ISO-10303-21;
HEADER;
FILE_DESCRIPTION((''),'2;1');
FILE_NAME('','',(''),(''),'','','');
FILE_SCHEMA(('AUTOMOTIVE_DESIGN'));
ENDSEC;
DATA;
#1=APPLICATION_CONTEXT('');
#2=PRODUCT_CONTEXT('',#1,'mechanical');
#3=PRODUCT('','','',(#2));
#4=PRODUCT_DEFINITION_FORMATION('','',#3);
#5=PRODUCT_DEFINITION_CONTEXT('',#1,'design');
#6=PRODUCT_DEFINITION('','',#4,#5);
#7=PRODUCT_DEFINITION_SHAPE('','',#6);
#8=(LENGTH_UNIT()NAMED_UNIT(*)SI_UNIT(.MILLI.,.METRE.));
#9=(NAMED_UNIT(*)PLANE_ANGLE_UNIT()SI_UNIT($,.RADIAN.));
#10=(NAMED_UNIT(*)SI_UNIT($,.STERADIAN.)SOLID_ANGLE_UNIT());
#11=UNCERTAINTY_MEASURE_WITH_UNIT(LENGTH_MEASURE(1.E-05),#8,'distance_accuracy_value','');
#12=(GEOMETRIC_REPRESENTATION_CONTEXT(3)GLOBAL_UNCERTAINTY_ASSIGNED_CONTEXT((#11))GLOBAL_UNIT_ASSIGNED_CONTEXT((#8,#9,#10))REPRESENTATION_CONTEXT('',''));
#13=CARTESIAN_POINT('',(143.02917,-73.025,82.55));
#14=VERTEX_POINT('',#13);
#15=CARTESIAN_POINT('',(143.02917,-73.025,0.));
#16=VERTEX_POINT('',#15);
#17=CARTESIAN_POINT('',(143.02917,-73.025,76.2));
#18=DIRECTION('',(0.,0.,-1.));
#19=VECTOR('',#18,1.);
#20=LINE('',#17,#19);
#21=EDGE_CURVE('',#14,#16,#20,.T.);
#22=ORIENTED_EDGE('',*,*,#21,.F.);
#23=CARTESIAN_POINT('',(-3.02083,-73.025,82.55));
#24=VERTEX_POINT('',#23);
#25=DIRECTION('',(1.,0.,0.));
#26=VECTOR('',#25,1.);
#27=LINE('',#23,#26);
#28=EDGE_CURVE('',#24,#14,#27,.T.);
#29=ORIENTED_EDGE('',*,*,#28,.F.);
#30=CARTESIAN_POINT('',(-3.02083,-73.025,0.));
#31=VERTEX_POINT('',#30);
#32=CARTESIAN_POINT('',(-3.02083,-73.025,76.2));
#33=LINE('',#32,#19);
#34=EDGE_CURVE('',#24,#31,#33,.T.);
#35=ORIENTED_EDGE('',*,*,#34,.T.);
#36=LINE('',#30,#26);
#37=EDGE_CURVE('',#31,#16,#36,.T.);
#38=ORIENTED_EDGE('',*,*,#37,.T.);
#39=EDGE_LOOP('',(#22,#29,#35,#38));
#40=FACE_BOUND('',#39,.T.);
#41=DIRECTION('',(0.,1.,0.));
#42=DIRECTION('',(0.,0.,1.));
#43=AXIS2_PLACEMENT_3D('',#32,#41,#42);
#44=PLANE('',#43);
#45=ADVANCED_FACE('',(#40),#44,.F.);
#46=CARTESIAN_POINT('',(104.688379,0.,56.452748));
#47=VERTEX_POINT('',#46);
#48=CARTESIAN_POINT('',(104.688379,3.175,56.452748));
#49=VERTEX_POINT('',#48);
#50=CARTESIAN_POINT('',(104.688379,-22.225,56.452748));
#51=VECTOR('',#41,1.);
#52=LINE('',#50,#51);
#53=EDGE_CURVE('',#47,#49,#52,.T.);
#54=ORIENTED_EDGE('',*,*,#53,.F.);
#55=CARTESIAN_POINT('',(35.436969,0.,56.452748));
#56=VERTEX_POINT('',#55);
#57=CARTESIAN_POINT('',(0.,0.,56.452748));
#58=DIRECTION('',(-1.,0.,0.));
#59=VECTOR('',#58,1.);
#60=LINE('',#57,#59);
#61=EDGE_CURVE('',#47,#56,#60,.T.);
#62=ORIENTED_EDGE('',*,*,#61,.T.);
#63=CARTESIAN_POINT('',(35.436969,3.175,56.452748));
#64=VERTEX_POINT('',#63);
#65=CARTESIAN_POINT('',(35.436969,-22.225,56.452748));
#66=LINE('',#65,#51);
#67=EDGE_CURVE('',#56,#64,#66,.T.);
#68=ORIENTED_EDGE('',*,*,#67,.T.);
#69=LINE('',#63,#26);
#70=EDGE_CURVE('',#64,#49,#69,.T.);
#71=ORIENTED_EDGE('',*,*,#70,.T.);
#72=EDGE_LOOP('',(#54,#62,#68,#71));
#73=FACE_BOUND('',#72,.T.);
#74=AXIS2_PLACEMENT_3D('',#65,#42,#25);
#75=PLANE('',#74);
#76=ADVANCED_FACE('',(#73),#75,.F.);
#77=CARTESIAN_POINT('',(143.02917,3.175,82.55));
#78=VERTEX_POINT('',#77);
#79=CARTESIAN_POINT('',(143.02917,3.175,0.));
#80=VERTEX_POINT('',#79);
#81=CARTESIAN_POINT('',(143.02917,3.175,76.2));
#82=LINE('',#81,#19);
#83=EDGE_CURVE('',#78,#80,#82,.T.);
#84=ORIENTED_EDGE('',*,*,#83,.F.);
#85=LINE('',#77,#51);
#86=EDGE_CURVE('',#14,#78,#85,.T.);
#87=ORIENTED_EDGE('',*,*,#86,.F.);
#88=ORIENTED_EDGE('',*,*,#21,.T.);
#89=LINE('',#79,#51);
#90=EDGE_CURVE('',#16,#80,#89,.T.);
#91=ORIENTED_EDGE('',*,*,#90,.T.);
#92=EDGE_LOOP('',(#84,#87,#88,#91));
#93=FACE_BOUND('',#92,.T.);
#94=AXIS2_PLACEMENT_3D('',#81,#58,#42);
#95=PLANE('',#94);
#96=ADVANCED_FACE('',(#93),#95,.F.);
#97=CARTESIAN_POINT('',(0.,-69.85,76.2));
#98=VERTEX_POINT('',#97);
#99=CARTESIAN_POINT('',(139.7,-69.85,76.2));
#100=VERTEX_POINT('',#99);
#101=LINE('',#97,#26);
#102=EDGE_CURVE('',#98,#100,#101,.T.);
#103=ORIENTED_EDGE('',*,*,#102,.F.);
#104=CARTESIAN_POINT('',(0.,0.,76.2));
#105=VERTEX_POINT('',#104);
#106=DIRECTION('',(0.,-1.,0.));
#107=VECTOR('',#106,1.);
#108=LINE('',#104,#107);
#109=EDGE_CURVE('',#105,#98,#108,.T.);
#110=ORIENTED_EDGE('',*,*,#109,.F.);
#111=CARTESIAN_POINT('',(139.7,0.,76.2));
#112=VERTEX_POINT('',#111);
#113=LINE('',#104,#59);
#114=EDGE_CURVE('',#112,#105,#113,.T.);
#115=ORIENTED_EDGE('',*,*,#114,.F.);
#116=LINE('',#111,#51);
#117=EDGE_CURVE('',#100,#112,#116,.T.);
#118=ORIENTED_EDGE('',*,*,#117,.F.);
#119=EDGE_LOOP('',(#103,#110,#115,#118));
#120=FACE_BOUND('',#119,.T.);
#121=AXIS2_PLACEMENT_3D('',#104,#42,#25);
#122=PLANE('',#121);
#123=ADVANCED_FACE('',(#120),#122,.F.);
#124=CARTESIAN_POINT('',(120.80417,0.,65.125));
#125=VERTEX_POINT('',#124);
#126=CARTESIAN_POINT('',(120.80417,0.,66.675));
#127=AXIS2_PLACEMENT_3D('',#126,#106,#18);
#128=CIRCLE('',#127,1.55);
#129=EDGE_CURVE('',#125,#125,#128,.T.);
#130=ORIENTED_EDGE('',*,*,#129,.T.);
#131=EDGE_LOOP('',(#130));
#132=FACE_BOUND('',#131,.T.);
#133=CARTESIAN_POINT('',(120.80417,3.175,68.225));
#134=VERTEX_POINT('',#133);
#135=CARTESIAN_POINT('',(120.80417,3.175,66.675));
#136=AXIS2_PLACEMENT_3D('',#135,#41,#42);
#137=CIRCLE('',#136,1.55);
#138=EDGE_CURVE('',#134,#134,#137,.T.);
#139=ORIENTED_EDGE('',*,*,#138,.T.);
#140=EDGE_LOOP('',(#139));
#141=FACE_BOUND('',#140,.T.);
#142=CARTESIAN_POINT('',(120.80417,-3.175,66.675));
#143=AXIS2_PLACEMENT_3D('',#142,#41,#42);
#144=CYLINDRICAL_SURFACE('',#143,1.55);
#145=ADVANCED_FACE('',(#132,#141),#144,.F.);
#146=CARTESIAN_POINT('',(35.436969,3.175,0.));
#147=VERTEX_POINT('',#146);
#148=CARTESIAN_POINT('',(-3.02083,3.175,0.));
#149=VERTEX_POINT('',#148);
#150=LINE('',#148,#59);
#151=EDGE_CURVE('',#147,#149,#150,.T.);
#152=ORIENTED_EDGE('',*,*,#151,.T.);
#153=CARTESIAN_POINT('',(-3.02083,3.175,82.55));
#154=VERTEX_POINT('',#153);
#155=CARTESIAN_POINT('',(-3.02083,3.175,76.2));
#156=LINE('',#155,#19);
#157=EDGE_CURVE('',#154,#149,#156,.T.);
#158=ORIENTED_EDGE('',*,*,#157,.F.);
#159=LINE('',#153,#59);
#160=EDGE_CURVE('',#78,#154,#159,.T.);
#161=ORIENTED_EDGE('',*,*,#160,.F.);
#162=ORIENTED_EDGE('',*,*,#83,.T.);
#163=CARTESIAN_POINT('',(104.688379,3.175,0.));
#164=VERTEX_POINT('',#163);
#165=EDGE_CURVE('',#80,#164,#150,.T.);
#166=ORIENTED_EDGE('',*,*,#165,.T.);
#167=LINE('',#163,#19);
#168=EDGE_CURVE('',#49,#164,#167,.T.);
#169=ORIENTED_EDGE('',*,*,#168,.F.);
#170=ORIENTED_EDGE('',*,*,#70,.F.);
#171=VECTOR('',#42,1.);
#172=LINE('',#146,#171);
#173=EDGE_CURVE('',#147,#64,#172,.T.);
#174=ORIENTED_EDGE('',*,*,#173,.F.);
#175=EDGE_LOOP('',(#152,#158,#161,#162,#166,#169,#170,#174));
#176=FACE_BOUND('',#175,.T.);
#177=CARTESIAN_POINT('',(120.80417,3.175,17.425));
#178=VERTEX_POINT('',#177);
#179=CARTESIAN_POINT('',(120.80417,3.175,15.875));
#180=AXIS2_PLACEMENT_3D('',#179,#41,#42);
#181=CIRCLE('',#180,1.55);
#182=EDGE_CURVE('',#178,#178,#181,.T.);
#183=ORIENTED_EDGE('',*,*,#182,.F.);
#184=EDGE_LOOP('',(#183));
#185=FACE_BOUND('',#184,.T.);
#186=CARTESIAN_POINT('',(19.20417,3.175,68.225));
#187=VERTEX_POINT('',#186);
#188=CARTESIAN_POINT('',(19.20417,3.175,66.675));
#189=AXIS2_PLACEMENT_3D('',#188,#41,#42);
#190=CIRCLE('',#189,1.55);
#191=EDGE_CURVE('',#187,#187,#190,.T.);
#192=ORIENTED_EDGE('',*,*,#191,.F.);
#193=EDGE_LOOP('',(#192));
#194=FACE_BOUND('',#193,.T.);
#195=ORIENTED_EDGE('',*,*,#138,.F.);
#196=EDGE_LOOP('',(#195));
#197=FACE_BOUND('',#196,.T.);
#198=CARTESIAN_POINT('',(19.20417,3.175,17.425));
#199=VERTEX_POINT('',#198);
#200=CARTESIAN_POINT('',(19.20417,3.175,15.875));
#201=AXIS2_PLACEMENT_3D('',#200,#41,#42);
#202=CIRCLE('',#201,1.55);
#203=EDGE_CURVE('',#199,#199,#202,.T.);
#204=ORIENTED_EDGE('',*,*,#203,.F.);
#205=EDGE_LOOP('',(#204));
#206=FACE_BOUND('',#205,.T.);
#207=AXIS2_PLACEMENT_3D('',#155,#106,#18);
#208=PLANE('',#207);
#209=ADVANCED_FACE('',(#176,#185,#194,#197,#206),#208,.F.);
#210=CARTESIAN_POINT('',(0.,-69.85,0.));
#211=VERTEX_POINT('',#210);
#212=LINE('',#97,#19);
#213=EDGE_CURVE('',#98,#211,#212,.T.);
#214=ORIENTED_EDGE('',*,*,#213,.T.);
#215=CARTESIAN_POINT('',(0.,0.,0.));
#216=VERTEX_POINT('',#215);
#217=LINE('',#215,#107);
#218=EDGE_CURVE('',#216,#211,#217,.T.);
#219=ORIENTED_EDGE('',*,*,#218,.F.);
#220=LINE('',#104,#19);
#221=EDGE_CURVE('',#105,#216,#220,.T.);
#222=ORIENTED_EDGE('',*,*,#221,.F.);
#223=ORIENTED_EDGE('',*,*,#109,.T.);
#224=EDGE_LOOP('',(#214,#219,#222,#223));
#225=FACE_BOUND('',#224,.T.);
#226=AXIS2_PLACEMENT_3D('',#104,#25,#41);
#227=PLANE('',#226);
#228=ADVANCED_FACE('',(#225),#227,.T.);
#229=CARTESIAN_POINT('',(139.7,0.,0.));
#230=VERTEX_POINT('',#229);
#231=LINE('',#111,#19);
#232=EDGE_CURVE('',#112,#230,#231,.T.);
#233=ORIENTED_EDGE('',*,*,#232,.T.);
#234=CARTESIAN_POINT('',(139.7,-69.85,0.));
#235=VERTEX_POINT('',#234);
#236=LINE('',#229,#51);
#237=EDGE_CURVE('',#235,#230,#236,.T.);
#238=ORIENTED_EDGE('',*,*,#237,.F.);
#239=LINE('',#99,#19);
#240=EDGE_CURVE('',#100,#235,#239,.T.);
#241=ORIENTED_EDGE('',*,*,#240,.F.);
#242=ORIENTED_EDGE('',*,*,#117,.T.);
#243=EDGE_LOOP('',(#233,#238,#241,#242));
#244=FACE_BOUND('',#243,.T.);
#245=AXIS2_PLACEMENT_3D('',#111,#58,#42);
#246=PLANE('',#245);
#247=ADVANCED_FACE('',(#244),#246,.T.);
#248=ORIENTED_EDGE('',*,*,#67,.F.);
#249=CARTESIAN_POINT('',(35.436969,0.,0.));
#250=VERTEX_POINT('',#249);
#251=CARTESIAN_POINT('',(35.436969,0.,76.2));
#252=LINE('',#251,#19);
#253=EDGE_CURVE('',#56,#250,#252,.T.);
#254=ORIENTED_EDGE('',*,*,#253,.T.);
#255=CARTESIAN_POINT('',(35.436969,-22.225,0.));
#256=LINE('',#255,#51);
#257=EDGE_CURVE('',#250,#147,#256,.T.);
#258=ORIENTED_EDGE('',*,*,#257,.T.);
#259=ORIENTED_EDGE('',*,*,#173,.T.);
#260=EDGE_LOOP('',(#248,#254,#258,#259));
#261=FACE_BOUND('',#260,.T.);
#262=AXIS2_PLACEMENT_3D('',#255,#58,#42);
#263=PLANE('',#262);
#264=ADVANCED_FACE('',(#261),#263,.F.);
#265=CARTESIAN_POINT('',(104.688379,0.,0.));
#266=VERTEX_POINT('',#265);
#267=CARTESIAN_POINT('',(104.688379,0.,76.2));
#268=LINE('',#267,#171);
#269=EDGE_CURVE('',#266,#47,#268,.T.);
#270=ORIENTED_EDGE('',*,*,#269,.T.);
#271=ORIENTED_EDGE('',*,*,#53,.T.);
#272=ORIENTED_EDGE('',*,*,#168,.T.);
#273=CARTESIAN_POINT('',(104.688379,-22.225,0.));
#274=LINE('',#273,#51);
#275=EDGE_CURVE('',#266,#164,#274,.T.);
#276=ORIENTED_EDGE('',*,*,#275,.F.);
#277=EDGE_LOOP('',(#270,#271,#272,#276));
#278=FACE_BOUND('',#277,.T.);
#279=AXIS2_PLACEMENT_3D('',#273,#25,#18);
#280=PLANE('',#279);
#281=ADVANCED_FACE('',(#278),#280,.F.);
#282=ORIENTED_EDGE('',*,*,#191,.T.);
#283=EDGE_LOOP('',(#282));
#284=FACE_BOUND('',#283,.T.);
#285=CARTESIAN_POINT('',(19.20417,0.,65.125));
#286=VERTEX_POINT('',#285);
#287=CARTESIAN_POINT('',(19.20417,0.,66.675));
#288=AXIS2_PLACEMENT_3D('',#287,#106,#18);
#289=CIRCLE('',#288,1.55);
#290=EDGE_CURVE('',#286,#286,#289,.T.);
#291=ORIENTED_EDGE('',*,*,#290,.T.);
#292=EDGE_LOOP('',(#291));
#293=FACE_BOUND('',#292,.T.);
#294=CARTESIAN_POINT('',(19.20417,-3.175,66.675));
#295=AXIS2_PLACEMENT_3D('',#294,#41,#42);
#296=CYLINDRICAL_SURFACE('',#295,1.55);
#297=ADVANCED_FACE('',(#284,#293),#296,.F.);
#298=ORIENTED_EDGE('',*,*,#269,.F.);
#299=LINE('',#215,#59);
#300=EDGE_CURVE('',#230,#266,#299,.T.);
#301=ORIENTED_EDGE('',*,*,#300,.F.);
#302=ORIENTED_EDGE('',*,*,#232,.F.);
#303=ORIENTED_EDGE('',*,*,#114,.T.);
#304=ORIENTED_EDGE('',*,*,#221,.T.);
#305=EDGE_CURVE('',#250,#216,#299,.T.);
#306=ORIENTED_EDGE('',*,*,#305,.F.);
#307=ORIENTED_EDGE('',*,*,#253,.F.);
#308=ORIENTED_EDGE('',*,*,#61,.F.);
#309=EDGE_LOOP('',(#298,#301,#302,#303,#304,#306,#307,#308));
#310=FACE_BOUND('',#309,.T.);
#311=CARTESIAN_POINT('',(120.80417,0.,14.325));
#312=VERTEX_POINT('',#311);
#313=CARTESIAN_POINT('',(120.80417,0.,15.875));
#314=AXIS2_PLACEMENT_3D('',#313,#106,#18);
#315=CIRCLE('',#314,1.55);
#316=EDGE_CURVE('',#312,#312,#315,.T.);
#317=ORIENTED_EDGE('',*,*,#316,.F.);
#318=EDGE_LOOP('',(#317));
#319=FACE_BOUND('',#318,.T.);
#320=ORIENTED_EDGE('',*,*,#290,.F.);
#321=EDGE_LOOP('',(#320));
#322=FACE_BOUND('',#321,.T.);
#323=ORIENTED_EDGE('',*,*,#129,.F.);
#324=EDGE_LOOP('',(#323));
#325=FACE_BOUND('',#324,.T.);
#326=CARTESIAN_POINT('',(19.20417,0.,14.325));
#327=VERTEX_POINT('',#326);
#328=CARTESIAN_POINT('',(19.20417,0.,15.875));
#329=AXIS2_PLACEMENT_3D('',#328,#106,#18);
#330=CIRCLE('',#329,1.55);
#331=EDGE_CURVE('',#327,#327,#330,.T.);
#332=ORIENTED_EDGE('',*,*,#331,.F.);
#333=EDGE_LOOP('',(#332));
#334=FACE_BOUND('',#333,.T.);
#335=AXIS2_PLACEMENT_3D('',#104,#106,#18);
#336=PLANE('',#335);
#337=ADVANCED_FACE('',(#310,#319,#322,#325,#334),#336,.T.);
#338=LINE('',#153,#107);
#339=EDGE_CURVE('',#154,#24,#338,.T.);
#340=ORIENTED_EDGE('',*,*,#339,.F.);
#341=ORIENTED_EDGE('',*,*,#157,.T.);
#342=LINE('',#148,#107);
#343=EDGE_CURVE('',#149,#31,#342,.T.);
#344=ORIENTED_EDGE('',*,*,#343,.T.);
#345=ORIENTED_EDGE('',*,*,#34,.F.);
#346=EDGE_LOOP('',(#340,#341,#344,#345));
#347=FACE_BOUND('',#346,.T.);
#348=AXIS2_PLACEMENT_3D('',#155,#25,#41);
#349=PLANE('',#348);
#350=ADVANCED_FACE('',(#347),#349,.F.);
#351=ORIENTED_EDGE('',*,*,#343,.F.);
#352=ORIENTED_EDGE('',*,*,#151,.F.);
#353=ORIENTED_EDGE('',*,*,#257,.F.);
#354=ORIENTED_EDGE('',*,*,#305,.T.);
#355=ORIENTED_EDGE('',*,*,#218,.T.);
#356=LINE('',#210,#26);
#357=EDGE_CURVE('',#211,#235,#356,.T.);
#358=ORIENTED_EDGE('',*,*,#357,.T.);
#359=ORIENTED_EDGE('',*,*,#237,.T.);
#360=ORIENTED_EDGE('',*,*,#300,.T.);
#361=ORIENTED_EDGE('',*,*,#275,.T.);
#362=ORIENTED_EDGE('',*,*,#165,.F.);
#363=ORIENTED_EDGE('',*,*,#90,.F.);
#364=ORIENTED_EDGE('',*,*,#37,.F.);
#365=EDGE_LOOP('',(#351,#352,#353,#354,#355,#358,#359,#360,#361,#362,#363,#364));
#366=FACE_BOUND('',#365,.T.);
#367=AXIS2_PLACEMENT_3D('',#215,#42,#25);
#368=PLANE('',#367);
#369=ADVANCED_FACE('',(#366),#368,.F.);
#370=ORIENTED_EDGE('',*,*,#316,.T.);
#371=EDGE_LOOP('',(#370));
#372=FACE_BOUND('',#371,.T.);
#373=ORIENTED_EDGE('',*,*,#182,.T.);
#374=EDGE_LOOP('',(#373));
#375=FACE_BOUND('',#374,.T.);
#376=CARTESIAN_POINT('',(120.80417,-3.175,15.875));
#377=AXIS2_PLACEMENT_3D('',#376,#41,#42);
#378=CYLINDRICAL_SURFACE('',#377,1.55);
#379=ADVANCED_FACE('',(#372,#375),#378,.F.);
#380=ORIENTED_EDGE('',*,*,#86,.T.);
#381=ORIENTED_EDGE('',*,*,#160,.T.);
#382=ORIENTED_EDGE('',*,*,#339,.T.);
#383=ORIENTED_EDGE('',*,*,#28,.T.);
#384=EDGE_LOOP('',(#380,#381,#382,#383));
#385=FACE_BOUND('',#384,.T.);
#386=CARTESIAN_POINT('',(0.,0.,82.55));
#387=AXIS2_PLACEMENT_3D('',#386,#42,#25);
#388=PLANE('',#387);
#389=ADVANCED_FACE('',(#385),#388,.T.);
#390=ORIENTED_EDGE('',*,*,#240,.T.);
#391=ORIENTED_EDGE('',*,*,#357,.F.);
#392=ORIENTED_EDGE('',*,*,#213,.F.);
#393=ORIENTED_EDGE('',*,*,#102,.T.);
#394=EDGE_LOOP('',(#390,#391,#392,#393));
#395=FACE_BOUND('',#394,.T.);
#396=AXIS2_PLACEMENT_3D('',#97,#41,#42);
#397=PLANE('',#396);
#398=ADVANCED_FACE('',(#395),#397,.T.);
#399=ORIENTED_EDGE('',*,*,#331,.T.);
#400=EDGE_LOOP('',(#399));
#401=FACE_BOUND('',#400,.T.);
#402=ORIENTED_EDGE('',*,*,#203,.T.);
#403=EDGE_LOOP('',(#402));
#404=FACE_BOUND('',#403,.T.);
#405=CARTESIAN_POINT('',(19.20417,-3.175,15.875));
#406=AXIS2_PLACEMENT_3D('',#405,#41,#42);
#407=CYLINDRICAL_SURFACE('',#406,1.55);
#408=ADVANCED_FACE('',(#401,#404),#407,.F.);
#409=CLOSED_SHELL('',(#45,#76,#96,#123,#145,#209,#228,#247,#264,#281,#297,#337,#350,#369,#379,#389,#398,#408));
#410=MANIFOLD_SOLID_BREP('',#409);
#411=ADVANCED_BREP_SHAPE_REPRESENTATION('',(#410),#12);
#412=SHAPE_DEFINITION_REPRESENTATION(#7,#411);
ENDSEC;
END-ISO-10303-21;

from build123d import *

# Parameters (mm, degrees)
SKETCH1_W           = 146.05
SKETCH1_H           = 76.2
SKETCH1_W_2         = 139.7
SKETCH1_H_2         = 69.85
BOSS_EXTRUDE1_DEPTH = 76.2
SKETCH2_W           = 146.05
SKETCH2_H           = 76.2
BOSS_EXTRUDE2_DEPTH = 6.35
SKETCH3_R           = 1.55
CUT_EXTRUDE1_DEPTH  = 6.35
SKETCH4_W           = 69.251410207
SKETCH4_H           = 56.45274813
CUT_EXTRUDE2_DEPTH  = 25.4


with BuildPart() as part:
    # Sketch1 → Boss-Extrude1 (new body)
    with BuildSketch(Plane.XY):
        with Locations((70.004169971, -34.925)):
            Rectangle(SKETCH1_W, SKETCH1_H)
        with Locations((69.85, -34.925)):
            Rectangle(SKETCH1_W_2, SKETCH1_H_2, mode=Mode.SUBTRACT)
    extrude(amount=BOSS_EXTRUDE1_DEPTH)

    # Sketch2 → Boss-Extrude2 (add)
    with BuildSketch(Plane.XY.offset(76.2)):
        with Locations((70.004169971, -34.925)):
            Rectangle(SKETCH2_W, SKETCH2_H)
    extrude(amount=BOSS_EXTRUDE2_DEPTH)

    # Sketch3 → Cut-Extrude1 (cut)
    with BuildSketch(Plane(origin=(0, 3.175, 0), x_dir=(1, 0, 0), z_dir=(0, 1, 0))):
        with Locations(Location((19.204169971, -15.875, 0), (0, 0, 270))):
            Circle(SKETCH3_R)
        with Locations(Location((120.804169971, -15.875, 0), (0, 0, 270))):
            Circle(SKETCH3_R)
        with Locations(Location((120.804169971, -66.675, 0), (0, 0, 270))):
            Circle(SKETCH3_R)
        with Locations(Location((19.204169971, -66.675, 0), (0, 0, 270))):
            Circle(SKETCH3_R)
    extrude(amount=-CUT_EXTRUDE1_DEPTH, mode=Mode.SUBTRACT)

    # Sketch4 → Cut-Extrude2 (cut)
    with BuildSketch(Plane(origin=(0, 3.175, 0), x_dir=(1, 0, 0), z_dir=(0, 1, 0))):
        with Locations((70.062674023, -28.226374065)):
            Rectangle(SKETCH4_W, SKETCH4_H)
    extrude(amount=-CUT_EXTRUDE2_DEPTH, mode=Mode.SUBTRACT)


solid = part.part
